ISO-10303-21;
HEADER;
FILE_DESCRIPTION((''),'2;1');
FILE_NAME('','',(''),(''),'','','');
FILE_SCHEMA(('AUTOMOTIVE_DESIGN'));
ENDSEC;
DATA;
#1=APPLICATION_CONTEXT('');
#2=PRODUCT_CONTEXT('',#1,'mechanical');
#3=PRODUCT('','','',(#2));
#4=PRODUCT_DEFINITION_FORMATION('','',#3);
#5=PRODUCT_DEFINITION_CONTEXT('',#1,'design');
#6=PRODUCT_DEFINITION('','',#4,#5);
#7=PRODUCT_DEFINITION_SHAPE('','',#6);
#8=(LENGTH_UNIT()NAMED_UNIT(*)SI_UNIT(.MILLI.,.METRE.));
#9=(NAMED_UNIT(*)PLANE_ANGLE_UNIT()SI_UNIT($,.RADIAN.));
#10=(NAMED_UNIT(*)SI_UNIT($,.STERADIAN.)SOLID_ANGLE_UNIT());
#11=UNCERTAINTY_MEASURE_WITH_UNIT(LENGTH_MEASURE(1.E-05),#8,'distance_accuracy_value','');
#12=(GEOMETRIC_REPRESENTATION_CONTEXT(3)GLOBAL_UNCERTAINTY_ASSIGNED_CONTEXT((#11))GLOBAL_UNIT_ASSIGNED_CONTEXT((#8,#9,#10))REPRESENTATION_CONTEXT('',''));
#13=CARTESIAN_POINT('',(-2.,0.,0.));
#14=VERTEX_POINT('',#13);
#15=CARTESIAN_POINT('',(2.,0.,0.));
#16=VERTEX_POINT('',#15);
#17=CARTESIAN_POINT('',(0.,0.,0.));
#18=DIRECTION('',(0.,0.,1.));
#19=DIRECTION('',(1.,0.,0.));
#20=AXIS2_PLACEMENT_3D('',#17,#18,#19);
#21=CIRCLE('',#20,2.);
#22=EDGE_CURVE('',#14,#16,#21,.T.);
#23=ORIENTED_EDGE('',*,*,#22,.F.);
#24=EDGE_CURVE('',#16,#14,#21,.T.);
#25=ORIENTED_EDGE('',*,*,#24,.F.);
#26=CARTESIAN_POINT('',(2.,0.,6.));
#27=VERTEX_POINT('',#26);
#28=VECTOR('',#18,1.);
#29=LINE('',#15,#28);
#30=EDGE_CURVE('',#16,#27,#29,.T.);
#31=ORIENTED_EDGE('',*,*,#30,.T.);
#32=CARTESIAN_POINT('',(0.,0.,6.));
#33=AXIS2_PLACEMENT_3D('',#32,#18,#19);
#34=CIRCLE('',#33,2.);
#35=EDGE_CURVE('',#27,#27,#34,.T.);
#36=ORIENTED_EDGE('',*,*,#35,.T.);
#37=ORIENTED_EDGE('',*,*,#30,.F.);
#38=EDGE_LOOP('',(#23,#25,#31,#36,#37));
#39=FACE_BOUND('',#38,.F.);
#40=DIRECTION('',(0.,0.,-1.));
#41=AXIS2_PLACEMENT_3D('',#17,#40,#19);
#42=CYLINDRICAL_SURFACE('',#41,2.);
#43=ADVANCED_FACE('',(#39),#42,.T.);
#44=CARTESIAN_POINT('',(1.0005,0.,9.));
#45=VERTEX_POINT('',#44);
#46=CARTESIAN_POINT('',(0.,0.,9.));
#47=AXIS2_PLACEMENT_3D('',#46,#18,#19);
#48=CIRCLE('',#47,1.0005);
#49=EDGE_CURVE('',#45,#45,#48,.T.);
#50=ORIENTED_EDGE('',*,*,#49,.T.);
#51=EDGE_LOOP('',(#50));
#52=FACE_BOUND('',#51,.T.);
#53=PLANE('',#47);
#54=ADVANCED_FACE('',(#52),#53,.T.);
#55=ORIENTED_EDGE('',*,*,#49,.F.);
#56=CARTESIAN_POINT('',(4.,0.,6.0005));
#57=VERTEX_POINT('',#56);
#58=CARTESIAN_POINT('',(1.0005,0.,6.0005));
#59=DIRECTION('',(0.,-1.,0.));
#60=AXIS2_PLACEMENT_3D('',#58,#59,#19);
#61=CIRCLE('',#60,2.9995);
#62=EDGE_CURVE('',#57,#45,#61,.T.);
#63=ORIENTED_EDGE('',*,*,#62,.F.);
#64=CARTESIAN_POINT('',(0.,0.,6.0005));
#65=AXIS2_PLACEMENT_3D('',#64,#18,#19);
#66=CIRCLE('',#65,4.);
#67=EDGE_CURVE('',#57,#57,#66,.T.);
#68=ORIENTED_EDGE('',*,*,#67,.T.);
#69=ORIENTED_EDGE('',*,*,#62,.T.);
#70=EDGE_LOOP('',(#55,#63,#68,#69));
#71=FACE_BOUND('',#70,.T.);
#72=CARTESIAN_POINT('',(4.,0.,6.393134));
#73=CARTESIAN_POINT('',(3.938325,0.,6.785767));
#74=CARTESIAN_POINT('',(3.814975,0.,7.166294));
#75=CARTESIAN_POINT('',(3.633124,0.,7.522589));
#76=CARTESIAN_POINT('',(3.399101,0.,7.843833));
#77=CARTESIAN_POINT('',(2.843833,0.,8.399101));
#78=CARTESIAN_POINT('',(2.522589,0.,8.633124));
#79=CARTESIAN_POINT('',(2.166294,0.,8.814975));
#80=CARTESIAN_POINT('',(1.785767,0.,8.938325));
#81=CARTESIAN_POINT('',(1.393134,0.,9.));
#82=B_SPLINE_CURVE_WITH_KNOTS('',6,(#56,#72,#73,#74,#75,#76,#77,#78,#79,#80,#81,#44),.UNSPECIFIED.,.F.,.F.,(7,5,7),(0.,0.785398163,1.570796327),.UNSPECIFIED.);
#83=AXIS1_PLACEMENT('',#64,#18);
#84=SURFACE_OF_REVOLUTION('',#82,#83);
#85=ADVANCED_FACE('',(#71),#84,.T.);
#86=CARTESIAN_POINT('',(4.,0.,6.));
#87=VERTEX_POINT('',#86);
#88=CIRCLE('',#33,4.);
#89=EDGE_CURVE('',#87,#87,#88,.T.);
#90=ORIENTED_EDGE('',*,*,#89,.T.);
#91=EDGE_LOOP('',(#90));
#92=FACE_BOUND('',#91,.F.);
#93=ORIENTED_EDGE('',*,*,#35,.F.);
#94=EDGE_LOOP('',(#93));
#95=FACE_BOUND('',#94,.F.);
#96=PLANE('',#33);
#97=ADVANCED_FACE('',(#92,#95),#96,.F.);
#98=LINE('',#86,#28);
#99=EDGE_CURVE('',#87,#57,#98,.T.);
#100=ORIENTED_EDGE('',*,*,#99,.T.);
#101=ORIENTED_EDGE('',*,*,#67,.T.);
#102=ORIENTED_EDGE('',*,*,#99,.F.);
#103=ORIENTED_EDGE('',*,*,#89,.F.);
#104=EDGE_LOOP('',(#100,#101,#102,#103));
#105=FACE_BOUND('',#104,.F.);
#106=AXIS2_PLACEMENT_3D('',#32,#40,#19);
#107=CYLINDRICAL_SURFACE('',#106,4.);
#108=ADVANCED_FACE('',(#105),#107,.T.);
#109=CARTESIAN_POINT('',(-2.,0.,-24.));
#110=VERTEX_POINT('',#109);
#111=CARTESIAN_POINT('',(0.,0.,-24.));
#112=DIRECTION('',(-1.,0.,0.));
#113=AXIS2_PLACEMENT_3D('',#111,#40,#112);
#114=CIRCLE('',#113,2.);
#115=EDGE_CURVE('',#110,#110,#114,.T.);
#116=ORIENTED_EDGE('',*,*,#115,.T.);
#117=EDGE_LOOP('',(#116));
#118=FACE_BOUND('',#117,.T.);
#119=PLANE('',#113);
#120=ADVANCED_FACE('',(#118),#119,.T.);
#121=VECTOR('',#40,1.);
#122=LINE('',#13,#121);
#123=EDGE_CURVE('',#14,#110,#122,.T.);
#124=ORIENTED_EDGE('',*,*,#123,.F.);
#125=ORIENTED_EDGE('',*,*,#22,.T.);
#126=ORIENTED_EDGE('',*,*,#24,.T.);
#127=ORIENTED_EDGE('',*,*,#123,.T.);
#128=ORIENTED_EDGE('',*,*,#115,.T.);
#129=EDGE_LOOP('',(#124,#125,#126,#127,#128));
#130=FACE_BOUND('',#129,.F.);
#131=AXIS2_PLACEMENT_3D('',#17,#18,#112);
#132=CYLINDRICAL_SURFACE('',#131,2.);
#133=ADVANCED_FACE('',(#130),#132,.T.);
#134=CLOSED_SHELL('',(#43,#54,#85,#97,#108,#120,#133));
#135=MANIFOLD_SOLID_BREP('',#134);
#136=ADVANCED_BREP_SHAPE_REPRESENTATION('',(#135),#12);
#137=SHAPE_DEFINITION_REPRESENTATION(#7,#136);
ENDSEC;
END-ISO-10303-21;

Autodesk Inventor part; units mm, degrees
ref_plane "YZ Plane" through (0, 0, 0) normal (1, 0, 0) x (0, 1, 0)
ref_plane "XZ Plane" through (0, 0, 0) normal (0, 1, 0) x (-1, 0, 0)
ref_plane "XY Plane" through (0, 0, 0) normal (0, 0, 1) x (1, 0, 0)
sketch "スケッチ1" plane through (0, 0, 0) normal (0, 0, 1) x (1, 0, 0)
  circle A0 centre (0, 0) radius 2
  dimension "d0" = 4
extrude "押し出し1" add sketch "スケッチ1" along normal blind 6
sketch "スケッチ2" plane through (0, 0, 6) normal (0, 0, 1) x (1, 0, 0)
  circle A0 centre (0, 0) radius 2 projected
  circle A1 centre (0, 0) radius 4
  dimension "d3" = 8
extrude "押し出し2" add sketch "スケッチ2" along normal blind 3 contours A0 | A1
fillet "フィレット1" radius 3 1 edges at (-4, 0, 9)
thread "ねじ1" size "M4x0.7" class "6g" standard "ANSI Metric M Profile" full length
sketch "スケッチ3" plane through (0, 0, 0) normal (0, 0, -1) x (-1, 0, 0)
  circle A0 centre (0, 0) radius 2
extrude "押し出し3" add sketch "スケッチ3" along normal blind 24
properties part number "SB　M4 30mm なべネジ" material "Stainless Steel, 440C"
